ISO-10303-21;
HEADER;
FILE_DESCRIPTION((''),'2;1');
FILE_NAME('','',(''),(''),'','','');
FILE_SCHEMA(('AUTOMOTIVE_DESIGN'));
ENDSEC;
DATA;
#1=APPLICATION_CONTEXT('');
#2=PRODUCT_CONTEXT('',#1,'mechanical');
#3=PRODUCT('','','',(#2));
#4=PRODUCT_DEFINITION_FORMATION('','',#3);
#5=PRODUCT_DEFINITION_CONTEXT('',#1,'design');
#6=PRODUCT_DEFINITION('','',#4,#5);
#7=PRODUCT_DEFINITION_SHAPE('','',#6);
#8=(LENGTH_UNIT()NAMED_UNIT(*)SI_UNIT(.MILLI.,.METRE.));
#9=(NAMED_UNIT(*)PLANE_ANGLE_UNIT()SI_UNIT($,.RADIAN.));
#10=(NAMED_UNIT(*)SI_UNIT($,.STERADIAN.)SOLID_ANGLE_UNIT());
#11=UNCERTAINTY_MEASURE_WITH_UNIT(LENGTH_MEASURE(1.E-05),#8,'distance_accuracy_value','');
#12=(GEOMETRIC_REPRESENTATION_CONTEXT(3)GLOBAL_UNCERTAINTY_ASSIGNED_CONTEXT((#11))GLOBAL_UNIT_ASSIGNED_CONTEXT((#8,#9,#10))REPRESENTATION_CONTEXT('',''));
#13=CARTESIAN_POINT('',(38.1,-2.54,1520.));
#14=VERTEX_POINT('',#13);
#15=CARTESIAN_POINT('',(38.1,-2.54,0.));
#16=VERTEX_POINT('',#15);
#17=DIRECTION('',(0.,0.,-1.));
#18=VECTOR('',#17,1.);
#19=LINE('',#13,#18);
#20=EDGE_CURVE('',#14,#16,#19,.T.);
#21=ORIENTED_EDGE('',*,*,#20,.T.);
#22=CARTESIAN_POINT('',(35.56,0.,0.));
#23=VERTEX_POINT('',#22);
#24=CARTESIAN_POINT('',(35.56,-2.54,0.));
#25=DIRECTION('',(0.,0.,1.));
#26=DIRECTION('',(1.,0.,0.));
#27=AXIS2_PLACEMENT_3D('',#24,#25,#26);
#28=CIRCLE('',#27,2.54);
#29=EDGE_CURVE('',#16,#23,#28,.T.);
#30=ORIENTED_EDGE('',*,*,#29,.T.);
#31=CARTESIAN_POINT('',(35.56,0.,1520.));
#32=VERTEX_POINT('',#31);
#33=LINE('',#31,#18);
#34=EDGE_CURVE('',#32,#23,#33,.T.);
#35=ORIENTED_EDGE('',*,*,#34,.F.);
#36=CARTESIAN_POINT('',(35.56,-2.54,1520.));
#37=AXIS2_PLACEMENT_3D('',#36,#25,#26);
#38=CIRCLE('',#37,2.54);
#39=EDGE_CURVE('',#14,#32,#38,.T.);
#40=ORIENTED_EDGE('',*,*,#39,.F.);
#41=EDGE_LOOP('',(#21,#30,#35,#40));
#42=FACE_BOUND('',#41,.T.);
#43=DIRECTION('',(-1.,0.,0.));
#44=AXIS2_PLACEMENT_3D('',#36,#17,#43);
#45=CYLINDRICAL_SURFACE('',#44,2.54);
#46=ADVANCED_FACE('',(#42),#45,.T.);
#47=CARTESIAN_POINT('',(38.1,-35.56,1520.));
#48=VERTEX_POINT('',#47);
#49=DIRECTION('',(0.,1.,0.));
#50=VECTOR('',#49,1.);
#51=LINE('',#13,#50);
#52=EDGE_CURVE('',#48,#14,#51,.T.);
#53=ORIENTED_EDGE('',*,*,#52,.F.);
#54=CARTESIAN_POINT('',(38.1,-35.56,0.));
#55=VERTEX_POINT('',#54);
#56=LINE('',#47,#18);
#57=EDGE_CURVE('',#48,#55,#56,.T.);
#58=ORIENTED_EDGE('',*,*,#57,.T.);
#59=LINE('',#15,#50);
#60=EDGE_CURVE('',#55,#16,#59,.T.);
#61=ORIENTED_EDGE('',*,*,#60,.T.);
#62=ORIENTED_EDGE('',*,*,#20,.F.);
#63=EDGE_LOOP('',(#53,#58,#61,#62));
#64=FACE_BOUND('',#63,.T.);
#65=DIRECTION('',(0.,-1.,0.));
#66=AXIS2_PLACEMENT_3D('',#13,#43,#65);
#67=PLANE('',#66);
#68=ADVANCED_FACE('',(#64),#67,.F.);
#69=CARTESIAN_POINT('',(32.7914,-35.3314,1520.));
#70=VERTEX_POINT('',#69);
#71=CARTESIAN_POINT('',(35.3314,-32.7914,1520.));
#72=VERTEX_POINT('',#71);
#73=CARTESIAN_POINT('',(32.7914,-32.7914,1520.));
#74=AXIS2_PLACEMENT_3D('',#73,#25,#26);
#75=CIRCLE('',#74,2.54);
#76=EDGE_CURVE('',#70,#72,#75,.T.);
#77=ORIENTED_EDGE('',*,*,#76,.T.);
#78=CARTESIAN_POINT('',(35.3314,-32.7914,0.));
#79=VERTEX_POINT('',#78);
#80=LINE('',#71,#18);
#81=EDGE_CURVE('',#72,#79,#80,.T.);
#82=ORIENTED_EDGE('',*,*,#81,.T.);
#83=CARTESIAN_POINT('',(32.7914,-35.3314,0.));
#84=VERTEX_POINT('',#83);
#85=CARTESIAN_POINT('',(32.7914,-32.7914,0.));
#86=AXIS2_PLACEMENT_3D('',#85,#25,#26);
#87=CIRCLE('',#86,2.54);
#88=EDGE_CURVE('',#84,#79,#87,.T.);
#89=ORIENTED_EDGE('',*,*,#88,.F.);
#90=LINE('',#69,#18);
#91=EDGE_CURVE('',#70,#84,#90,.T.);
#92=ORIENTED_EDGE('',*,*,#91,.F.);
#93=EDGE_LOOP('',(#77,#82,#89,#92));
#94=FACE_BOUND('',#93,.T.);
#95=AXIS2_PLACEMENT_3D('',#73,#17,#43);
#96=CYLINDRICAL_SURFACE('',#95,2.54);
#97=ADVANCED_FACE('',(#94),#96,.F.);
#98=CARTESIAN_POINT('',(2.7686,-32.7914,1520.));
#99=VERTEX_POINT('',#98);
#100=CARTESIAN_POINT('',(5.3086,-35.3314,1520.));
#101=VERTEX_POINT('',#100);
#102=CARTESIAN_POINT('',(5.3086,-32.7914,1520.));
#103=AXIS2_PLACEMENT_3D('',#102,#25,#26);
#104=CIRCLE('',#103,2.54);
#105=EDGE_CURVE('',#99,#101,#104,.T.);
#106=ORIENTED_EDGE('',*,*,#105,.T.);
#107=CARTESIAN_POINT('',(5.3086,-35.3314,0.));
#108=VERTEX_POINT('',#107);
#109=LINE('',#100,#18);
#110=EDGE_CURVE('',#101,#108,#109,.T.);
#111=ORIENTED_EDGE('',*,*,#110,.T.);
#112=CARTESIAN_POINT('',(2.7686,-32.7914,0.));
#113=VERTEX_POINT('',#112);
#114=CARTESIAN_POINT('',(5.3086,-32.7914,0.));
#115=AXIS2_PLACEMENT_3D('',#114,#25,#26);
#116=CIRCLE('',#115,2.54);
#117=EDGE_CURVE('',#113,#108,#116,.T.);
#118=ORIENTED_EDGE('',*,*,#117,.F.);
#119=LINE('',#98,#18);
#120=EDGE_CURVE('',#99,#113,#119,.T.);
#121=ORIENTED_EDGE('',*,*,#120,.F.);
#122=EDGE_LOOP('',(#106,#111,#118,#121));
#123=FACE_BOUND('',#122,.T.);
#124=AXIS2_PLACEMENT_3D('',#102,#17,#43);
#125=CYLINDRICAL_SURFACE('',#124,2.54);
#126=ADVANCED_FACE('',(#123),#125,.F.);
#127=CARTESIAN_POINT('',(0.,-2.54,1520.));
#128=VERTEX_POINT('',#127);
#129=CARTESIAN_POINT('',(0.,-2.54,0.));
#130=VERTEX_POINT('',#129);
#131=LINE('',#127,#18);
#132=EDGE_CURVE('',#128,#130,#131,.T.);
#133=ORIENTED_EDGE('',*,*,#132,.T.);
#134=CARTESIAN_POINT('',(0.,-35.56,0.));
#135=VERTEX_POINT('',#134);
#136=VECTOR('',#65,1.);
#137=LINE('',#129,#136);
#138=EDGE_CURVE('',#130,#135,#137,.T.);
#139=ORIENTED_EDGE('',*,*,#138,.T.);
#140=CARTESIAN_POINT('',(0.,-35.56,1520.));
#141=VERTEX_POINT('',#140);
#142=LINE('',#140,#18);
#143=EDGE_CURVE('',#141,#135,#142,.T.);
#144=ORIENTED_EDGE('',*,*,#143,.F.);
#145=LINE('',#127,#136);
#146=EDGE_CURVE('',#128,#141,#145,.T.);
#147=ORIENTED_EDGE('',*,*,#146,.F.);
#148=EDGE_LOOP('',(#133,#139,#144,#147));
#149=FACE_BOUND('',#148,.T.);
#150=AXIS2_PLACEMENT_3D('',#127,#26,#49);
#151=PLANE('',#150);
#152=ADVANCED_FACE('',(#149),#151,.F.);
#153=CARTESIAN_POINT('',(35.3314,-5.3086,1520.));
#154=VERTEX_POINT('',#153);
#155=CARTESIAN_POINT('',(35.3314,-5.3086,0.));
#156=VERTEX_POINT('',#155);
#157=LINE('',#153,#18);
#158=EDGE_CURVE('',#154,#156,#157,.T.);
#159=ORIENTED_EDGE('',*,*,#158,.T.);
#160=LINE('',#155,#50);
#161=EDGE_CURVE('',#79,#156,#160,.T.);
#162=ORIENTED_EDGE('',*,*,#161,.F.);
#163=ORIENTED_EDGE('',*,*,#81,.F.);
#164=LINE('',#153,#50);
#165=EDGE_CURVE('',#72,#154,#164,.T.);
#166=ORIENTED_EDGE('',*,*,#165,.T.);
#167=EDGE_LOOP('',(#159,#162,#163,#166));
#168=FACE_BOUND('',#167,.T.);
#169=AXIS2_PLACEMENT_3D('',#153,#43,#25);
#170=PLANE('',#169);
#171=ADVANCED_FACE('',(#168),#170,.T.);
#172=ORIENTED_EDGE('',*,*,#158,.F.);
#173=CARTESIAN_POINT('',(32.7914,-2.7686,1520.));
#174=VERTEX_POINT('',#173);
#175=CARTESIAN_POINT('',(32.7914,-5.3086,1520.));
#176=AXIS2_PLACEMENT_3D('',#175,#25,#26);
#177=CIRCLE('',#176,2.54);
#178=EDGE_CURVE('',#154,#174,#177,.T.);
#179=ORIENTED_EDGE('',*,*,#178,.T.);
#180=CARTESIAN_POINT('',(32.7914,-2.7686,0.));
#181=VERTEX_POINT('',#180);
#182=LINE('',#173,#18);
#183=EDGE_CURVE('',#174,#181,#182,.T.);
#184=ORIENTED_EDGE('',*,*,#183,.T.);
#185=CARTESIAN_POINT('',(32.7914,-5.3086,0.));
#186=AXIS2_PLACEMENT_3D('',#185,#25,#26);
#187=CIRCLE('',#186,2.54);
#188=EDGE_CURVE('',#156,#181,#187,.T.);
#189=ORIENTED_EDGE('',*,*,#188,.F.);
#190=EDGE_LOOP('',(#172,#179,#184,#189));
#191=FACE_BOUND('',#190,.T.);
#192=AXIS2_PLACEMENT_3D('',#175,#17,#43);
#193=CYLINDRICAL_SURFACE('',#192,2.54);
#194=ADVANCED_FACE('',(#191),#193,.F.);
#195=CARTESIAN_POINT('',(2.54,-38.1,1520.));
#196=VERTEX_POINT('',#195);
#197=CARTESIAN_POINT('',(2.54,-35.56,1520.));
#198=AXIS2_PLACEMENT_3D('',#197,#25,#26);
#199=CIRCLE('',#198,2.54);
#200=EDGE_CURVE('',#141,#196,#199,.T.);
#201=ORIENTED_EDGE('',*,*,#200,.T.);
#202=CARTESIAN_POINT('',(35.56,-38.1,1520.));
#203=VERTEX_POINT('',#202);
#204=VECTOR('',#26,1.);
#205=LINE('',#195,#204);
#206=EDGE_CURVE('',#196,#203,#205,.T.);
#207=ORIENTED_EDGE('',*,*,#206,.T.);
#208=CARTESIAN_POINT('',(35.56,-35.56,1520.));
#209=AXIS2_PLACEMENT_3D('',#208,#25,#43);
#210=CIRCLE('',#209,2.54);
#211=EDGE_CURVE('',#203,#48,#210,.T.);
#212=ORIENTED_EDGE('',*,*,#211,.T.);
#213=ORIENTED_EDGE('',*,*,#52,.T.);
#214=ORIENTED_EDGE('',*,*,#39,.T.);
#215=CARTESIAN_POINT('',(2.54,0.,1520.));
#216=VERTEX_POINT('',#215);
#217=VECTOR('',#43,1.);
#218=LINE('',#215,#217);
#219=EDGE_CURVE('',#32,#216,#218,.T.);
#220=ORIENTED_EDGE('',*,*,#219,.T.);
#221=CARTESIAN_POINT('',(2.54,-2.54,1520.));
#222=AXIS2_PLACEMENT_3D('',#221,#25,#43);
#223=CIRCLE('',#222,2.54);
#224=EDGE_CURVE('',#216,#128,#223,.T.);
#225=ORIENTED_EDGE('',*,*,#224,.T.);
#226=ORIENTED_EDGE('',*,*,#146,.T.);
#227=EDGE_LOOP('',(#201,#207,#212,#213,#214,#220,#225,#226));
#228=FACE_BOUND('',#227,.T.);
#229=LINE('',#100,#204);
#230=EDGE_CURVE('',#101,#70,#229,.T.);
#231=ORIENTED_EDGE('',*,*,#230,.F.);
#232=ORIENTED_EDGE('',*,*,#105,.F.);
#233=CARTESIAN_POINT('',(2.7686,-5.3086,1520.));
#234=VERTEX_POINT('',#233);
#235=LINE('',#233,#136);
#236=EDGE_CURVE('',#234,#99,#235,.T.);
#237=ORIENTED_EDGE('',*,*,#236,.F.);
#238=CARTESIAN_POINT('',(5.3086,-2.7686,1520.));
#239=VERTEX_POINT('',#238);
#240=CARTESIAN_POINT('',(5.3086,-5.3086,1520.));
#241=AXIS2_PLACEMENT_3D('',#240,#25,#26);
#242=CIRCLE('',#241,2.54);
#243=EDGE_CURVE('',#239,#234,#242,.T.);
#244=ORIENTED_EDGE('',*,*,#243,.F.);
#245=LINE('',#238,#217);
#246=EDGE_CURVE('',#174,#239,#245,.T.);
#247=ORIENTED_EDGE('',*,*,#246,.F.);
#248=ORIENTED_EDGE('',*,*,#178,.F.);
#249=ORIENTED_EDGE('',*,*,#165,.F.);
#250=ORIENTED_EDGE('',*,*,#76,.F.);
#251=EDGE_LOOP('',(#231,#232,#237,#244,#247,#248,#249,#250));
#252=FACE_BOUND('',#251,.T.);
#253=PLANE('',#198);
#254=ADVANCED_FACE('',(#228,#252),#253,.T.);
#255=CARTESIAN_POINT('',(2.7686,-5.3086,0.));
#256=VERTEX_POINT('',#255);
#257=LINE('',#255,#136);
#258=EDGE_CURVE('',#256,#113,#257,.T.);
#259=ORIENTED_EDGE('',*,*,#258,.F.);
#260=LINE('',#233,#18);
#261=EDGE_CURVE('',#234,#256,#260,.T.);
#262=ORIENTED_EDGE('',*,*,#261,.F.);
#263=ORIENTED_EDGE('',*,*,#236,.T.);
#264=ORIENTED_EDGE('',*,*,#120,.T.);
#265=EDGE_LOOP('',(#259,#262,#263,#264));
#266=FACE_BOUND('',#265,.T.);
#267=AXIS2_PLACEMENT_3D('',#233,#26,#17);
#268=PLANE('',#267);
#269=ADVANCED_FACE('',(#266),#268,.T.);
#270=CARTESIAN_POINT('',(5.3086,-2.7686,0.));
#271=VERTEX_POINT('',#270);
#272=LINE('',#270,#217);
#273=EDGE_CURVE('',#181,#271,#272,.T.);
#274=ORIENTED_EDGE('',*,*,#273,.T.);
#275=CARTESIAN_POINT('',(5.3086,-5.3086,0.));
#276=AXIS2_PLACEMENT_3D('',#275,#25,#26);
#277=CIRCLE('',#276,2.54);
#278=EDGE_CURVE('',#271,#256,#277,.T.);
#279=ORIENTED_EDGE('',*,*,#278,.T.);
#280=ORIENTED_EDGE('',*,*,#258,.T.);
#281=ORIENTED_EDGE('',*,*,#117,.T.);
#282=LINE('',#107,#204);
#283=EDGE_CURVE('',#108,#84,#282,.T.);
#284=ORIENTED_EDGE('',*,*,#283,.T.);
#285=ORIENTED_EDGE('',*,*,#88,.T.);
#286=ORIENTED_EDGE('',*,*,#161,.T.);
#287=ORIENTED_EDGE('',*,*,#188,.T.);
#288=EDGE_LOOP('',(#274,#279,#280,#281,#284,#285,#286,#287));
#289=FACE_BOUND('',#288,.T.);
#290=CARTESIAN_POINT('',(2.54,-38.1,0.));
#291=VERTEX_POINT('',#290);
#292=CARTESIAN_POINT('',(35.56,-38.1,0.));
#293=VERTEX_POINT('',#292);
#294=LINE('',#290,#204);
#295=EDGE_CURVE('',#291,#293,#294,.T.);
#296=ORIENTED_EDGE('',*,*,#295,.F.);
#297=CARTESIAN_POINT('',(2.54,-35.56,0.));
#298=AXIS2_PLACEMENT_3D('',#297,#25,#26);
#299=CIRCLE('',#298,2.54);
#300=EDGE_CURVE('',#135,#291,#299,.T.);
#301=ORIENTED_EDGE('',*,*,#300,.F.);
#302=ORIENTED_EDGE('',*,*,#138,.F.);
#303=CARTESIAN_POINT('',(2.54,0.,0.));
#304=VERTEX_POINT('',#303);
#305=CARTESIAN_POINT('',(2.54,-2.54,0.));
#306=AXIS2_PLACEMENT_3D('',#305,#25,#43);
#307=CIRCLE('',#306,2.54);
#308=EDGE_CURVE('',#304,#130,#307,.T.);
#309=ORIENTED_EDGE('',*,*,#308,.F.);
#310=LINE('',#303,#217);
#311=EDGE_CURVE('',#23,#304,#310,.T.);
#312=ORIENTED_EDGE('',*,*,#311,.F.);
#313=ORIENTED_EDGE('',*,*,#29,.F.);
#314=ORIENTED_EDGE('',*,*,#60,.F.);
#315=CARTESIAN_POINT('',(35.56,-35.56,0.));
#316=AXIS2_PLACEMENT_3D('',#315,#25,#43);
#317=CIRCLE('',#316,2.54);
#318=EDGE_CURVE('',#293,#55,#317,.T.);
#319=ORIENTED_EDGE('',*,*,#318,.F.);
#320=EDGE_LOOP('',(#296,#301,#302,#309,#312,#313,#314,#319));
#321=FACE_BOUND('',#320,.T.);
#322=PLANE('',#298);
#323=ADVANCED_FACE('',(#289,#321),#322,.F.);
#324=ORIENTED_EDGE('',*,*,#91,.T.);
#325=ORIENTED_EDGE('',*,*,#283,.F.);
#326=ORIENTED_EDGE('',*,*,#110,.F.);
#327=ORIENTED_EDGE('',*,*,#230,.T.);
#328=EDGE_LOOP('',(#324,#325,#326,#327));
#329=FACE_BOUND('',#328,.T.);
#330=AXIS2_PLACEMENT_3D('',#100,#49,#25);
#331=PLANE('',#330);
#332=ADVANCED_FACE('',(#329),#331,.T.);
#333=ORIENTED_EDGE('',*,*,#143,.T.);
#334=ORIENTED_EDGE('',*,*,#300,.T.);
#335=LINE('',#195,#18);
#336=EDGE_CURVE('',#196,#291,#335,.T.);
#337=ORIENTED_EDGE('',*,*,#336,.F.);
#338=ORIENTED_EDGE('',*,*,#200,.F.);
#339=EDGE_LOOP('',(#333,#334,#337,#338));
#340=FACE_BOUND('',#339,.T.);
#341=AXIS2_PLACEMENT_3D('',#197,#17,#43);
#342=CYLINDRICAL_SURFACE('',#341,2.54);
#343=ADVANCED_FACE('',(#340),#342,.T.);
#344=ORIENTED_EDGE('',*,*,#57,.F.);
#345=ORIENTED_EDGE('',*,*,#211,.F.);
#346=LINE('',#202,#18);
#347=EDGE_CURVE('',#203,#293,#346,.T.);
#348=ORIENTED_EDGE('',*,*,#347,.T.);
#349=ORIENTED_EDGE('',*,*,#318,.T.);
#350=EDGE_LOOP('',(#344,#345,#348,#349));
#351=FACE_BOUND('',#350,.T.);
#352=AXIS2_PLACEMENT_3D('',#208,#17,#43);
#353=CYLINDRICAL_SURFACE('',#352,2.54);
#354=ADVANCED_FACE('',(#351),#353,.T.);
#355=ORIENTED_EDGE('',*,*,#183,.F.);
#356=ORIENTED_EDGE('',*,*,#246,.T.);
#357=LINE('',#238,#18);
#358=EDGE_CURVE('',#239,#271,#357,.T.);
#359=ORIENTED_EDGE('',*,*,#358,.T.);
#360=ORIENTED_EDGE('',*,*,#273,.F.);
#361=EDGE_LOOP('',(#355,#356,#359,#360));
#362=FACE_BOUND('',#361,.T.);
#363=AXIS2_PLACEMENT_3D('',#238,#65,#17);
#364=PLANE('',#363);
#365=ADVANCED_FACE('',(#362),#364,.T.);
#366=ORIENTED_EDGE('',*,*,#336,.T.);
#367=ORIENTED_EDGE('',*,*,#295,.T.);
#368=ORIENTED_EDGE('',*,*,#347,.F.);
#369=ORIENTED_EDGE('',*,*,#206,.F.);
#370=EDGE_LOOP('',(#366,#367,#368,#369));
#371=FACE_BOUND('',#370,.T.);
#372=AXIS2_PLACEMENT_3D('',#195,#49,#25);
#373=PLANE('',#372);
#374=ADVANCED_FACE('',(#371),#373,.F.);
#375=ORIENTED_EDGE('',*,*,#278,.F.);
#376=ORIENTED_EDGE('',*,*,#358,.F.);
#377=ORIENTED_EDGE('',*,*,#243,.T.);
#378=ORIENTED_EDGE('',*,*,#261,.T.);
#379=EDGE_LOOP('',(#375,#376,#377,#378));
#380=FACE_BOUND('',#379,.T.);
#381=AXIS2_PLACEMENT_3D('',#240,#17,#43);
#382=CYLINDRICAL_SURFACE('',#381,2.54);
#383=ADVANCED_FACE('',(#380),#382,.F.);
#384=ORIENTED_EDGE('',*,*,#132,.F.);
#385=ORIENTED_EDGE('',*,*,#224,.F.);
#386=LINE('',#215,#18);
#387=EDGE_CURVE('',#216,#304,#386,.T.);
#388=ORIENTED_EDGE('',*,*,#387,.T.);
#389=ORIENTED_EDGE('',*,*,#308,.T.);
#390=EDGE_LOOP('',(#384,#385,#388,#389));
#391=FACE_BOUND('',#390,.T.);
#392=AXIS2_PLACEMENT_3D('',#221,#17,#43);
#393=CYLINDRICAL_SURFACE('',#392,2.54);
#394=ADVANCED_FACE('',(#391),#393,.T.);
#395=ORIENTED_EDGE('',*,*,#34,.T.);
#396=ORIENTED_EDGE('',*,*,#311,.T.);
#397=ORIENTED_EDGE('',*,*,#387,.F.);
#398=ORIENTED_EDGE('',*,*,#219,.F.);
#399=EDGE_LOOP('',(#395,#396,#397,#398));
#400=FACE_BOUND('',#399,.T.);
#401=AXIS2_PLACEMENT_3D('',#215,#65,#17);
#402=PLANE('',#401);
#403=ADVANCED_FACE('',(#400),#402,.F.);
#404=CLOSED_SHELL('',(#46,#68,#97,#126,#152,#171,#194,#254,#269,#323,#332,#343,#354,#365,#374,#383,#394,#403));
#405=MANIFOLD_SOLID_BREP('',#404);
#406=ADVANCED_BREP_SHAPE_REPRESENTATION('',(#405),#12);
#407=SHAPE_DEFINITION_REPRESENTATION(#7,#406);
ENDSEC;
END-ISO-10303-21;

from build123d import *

# Parameters (mm, degrees)
BOSS_EXTRUDE1_DEPTH = 1520


with BuildPart() as part:
    # Sketch1 → Boss-Extrude1 (new body)
    with BuildSketch(Plane.XY):
        with BuildLine():
            Line((2.54, 0), (35.56, 0))
            ThreePointArc((35.56, 0), (37.356051224, -0.743948776), (38.1, -2.54))
            Line((38.1, -2.54), (38.1, -35.56))
            ThreePointArc((38.1, -35.56), (37.356051224, -37.356051224), (35.56, -38.1))
            Line((35.56, -38.1), (2.54, -38.1))
            ThreePointArc((2.54, -38.1), (0.743948776, -37.356051224), (0, -35.56))
            Line((0, -35.56), (0, -2.54))
            ThreePointArc((0, -2.54), (0.743948776, -0.743948776), (2.54, 0))
        make_face()
        with BuildLine():
            Line((5.3086, -2.7686), (32.7914, -2.7686))
            ThreePointArc((32.7914, -2.7686), (34.587451224, -3.512548776), (35.3314, -5.3086))
            Line((35.3314, -5.3086), (35.3314, -32.7914))
            ThreePointArc((35.3314, -32.7914), (34.587451224, -34.587451224), (32.7914, -35.3314))
            Line((32.7914, -35.3314), (5.3086, -35.3314))
            ThreePointArc((5.3086, -35.3314), (3.512548776, -34.587451224), (2.7686, -32.7914))
            Line((2.7686, -32.7914), (2.7686, -5.3086))
            ThreePointArc((2.7686, -5.3086), (3.512548776, -3.512548776), (5.3086, -2.7686))
        make_face(mode=Mode.SUBTRACT)
    extrude(amount=BOSS_EXTRUDE1_DEPTH)


solid = part.part
